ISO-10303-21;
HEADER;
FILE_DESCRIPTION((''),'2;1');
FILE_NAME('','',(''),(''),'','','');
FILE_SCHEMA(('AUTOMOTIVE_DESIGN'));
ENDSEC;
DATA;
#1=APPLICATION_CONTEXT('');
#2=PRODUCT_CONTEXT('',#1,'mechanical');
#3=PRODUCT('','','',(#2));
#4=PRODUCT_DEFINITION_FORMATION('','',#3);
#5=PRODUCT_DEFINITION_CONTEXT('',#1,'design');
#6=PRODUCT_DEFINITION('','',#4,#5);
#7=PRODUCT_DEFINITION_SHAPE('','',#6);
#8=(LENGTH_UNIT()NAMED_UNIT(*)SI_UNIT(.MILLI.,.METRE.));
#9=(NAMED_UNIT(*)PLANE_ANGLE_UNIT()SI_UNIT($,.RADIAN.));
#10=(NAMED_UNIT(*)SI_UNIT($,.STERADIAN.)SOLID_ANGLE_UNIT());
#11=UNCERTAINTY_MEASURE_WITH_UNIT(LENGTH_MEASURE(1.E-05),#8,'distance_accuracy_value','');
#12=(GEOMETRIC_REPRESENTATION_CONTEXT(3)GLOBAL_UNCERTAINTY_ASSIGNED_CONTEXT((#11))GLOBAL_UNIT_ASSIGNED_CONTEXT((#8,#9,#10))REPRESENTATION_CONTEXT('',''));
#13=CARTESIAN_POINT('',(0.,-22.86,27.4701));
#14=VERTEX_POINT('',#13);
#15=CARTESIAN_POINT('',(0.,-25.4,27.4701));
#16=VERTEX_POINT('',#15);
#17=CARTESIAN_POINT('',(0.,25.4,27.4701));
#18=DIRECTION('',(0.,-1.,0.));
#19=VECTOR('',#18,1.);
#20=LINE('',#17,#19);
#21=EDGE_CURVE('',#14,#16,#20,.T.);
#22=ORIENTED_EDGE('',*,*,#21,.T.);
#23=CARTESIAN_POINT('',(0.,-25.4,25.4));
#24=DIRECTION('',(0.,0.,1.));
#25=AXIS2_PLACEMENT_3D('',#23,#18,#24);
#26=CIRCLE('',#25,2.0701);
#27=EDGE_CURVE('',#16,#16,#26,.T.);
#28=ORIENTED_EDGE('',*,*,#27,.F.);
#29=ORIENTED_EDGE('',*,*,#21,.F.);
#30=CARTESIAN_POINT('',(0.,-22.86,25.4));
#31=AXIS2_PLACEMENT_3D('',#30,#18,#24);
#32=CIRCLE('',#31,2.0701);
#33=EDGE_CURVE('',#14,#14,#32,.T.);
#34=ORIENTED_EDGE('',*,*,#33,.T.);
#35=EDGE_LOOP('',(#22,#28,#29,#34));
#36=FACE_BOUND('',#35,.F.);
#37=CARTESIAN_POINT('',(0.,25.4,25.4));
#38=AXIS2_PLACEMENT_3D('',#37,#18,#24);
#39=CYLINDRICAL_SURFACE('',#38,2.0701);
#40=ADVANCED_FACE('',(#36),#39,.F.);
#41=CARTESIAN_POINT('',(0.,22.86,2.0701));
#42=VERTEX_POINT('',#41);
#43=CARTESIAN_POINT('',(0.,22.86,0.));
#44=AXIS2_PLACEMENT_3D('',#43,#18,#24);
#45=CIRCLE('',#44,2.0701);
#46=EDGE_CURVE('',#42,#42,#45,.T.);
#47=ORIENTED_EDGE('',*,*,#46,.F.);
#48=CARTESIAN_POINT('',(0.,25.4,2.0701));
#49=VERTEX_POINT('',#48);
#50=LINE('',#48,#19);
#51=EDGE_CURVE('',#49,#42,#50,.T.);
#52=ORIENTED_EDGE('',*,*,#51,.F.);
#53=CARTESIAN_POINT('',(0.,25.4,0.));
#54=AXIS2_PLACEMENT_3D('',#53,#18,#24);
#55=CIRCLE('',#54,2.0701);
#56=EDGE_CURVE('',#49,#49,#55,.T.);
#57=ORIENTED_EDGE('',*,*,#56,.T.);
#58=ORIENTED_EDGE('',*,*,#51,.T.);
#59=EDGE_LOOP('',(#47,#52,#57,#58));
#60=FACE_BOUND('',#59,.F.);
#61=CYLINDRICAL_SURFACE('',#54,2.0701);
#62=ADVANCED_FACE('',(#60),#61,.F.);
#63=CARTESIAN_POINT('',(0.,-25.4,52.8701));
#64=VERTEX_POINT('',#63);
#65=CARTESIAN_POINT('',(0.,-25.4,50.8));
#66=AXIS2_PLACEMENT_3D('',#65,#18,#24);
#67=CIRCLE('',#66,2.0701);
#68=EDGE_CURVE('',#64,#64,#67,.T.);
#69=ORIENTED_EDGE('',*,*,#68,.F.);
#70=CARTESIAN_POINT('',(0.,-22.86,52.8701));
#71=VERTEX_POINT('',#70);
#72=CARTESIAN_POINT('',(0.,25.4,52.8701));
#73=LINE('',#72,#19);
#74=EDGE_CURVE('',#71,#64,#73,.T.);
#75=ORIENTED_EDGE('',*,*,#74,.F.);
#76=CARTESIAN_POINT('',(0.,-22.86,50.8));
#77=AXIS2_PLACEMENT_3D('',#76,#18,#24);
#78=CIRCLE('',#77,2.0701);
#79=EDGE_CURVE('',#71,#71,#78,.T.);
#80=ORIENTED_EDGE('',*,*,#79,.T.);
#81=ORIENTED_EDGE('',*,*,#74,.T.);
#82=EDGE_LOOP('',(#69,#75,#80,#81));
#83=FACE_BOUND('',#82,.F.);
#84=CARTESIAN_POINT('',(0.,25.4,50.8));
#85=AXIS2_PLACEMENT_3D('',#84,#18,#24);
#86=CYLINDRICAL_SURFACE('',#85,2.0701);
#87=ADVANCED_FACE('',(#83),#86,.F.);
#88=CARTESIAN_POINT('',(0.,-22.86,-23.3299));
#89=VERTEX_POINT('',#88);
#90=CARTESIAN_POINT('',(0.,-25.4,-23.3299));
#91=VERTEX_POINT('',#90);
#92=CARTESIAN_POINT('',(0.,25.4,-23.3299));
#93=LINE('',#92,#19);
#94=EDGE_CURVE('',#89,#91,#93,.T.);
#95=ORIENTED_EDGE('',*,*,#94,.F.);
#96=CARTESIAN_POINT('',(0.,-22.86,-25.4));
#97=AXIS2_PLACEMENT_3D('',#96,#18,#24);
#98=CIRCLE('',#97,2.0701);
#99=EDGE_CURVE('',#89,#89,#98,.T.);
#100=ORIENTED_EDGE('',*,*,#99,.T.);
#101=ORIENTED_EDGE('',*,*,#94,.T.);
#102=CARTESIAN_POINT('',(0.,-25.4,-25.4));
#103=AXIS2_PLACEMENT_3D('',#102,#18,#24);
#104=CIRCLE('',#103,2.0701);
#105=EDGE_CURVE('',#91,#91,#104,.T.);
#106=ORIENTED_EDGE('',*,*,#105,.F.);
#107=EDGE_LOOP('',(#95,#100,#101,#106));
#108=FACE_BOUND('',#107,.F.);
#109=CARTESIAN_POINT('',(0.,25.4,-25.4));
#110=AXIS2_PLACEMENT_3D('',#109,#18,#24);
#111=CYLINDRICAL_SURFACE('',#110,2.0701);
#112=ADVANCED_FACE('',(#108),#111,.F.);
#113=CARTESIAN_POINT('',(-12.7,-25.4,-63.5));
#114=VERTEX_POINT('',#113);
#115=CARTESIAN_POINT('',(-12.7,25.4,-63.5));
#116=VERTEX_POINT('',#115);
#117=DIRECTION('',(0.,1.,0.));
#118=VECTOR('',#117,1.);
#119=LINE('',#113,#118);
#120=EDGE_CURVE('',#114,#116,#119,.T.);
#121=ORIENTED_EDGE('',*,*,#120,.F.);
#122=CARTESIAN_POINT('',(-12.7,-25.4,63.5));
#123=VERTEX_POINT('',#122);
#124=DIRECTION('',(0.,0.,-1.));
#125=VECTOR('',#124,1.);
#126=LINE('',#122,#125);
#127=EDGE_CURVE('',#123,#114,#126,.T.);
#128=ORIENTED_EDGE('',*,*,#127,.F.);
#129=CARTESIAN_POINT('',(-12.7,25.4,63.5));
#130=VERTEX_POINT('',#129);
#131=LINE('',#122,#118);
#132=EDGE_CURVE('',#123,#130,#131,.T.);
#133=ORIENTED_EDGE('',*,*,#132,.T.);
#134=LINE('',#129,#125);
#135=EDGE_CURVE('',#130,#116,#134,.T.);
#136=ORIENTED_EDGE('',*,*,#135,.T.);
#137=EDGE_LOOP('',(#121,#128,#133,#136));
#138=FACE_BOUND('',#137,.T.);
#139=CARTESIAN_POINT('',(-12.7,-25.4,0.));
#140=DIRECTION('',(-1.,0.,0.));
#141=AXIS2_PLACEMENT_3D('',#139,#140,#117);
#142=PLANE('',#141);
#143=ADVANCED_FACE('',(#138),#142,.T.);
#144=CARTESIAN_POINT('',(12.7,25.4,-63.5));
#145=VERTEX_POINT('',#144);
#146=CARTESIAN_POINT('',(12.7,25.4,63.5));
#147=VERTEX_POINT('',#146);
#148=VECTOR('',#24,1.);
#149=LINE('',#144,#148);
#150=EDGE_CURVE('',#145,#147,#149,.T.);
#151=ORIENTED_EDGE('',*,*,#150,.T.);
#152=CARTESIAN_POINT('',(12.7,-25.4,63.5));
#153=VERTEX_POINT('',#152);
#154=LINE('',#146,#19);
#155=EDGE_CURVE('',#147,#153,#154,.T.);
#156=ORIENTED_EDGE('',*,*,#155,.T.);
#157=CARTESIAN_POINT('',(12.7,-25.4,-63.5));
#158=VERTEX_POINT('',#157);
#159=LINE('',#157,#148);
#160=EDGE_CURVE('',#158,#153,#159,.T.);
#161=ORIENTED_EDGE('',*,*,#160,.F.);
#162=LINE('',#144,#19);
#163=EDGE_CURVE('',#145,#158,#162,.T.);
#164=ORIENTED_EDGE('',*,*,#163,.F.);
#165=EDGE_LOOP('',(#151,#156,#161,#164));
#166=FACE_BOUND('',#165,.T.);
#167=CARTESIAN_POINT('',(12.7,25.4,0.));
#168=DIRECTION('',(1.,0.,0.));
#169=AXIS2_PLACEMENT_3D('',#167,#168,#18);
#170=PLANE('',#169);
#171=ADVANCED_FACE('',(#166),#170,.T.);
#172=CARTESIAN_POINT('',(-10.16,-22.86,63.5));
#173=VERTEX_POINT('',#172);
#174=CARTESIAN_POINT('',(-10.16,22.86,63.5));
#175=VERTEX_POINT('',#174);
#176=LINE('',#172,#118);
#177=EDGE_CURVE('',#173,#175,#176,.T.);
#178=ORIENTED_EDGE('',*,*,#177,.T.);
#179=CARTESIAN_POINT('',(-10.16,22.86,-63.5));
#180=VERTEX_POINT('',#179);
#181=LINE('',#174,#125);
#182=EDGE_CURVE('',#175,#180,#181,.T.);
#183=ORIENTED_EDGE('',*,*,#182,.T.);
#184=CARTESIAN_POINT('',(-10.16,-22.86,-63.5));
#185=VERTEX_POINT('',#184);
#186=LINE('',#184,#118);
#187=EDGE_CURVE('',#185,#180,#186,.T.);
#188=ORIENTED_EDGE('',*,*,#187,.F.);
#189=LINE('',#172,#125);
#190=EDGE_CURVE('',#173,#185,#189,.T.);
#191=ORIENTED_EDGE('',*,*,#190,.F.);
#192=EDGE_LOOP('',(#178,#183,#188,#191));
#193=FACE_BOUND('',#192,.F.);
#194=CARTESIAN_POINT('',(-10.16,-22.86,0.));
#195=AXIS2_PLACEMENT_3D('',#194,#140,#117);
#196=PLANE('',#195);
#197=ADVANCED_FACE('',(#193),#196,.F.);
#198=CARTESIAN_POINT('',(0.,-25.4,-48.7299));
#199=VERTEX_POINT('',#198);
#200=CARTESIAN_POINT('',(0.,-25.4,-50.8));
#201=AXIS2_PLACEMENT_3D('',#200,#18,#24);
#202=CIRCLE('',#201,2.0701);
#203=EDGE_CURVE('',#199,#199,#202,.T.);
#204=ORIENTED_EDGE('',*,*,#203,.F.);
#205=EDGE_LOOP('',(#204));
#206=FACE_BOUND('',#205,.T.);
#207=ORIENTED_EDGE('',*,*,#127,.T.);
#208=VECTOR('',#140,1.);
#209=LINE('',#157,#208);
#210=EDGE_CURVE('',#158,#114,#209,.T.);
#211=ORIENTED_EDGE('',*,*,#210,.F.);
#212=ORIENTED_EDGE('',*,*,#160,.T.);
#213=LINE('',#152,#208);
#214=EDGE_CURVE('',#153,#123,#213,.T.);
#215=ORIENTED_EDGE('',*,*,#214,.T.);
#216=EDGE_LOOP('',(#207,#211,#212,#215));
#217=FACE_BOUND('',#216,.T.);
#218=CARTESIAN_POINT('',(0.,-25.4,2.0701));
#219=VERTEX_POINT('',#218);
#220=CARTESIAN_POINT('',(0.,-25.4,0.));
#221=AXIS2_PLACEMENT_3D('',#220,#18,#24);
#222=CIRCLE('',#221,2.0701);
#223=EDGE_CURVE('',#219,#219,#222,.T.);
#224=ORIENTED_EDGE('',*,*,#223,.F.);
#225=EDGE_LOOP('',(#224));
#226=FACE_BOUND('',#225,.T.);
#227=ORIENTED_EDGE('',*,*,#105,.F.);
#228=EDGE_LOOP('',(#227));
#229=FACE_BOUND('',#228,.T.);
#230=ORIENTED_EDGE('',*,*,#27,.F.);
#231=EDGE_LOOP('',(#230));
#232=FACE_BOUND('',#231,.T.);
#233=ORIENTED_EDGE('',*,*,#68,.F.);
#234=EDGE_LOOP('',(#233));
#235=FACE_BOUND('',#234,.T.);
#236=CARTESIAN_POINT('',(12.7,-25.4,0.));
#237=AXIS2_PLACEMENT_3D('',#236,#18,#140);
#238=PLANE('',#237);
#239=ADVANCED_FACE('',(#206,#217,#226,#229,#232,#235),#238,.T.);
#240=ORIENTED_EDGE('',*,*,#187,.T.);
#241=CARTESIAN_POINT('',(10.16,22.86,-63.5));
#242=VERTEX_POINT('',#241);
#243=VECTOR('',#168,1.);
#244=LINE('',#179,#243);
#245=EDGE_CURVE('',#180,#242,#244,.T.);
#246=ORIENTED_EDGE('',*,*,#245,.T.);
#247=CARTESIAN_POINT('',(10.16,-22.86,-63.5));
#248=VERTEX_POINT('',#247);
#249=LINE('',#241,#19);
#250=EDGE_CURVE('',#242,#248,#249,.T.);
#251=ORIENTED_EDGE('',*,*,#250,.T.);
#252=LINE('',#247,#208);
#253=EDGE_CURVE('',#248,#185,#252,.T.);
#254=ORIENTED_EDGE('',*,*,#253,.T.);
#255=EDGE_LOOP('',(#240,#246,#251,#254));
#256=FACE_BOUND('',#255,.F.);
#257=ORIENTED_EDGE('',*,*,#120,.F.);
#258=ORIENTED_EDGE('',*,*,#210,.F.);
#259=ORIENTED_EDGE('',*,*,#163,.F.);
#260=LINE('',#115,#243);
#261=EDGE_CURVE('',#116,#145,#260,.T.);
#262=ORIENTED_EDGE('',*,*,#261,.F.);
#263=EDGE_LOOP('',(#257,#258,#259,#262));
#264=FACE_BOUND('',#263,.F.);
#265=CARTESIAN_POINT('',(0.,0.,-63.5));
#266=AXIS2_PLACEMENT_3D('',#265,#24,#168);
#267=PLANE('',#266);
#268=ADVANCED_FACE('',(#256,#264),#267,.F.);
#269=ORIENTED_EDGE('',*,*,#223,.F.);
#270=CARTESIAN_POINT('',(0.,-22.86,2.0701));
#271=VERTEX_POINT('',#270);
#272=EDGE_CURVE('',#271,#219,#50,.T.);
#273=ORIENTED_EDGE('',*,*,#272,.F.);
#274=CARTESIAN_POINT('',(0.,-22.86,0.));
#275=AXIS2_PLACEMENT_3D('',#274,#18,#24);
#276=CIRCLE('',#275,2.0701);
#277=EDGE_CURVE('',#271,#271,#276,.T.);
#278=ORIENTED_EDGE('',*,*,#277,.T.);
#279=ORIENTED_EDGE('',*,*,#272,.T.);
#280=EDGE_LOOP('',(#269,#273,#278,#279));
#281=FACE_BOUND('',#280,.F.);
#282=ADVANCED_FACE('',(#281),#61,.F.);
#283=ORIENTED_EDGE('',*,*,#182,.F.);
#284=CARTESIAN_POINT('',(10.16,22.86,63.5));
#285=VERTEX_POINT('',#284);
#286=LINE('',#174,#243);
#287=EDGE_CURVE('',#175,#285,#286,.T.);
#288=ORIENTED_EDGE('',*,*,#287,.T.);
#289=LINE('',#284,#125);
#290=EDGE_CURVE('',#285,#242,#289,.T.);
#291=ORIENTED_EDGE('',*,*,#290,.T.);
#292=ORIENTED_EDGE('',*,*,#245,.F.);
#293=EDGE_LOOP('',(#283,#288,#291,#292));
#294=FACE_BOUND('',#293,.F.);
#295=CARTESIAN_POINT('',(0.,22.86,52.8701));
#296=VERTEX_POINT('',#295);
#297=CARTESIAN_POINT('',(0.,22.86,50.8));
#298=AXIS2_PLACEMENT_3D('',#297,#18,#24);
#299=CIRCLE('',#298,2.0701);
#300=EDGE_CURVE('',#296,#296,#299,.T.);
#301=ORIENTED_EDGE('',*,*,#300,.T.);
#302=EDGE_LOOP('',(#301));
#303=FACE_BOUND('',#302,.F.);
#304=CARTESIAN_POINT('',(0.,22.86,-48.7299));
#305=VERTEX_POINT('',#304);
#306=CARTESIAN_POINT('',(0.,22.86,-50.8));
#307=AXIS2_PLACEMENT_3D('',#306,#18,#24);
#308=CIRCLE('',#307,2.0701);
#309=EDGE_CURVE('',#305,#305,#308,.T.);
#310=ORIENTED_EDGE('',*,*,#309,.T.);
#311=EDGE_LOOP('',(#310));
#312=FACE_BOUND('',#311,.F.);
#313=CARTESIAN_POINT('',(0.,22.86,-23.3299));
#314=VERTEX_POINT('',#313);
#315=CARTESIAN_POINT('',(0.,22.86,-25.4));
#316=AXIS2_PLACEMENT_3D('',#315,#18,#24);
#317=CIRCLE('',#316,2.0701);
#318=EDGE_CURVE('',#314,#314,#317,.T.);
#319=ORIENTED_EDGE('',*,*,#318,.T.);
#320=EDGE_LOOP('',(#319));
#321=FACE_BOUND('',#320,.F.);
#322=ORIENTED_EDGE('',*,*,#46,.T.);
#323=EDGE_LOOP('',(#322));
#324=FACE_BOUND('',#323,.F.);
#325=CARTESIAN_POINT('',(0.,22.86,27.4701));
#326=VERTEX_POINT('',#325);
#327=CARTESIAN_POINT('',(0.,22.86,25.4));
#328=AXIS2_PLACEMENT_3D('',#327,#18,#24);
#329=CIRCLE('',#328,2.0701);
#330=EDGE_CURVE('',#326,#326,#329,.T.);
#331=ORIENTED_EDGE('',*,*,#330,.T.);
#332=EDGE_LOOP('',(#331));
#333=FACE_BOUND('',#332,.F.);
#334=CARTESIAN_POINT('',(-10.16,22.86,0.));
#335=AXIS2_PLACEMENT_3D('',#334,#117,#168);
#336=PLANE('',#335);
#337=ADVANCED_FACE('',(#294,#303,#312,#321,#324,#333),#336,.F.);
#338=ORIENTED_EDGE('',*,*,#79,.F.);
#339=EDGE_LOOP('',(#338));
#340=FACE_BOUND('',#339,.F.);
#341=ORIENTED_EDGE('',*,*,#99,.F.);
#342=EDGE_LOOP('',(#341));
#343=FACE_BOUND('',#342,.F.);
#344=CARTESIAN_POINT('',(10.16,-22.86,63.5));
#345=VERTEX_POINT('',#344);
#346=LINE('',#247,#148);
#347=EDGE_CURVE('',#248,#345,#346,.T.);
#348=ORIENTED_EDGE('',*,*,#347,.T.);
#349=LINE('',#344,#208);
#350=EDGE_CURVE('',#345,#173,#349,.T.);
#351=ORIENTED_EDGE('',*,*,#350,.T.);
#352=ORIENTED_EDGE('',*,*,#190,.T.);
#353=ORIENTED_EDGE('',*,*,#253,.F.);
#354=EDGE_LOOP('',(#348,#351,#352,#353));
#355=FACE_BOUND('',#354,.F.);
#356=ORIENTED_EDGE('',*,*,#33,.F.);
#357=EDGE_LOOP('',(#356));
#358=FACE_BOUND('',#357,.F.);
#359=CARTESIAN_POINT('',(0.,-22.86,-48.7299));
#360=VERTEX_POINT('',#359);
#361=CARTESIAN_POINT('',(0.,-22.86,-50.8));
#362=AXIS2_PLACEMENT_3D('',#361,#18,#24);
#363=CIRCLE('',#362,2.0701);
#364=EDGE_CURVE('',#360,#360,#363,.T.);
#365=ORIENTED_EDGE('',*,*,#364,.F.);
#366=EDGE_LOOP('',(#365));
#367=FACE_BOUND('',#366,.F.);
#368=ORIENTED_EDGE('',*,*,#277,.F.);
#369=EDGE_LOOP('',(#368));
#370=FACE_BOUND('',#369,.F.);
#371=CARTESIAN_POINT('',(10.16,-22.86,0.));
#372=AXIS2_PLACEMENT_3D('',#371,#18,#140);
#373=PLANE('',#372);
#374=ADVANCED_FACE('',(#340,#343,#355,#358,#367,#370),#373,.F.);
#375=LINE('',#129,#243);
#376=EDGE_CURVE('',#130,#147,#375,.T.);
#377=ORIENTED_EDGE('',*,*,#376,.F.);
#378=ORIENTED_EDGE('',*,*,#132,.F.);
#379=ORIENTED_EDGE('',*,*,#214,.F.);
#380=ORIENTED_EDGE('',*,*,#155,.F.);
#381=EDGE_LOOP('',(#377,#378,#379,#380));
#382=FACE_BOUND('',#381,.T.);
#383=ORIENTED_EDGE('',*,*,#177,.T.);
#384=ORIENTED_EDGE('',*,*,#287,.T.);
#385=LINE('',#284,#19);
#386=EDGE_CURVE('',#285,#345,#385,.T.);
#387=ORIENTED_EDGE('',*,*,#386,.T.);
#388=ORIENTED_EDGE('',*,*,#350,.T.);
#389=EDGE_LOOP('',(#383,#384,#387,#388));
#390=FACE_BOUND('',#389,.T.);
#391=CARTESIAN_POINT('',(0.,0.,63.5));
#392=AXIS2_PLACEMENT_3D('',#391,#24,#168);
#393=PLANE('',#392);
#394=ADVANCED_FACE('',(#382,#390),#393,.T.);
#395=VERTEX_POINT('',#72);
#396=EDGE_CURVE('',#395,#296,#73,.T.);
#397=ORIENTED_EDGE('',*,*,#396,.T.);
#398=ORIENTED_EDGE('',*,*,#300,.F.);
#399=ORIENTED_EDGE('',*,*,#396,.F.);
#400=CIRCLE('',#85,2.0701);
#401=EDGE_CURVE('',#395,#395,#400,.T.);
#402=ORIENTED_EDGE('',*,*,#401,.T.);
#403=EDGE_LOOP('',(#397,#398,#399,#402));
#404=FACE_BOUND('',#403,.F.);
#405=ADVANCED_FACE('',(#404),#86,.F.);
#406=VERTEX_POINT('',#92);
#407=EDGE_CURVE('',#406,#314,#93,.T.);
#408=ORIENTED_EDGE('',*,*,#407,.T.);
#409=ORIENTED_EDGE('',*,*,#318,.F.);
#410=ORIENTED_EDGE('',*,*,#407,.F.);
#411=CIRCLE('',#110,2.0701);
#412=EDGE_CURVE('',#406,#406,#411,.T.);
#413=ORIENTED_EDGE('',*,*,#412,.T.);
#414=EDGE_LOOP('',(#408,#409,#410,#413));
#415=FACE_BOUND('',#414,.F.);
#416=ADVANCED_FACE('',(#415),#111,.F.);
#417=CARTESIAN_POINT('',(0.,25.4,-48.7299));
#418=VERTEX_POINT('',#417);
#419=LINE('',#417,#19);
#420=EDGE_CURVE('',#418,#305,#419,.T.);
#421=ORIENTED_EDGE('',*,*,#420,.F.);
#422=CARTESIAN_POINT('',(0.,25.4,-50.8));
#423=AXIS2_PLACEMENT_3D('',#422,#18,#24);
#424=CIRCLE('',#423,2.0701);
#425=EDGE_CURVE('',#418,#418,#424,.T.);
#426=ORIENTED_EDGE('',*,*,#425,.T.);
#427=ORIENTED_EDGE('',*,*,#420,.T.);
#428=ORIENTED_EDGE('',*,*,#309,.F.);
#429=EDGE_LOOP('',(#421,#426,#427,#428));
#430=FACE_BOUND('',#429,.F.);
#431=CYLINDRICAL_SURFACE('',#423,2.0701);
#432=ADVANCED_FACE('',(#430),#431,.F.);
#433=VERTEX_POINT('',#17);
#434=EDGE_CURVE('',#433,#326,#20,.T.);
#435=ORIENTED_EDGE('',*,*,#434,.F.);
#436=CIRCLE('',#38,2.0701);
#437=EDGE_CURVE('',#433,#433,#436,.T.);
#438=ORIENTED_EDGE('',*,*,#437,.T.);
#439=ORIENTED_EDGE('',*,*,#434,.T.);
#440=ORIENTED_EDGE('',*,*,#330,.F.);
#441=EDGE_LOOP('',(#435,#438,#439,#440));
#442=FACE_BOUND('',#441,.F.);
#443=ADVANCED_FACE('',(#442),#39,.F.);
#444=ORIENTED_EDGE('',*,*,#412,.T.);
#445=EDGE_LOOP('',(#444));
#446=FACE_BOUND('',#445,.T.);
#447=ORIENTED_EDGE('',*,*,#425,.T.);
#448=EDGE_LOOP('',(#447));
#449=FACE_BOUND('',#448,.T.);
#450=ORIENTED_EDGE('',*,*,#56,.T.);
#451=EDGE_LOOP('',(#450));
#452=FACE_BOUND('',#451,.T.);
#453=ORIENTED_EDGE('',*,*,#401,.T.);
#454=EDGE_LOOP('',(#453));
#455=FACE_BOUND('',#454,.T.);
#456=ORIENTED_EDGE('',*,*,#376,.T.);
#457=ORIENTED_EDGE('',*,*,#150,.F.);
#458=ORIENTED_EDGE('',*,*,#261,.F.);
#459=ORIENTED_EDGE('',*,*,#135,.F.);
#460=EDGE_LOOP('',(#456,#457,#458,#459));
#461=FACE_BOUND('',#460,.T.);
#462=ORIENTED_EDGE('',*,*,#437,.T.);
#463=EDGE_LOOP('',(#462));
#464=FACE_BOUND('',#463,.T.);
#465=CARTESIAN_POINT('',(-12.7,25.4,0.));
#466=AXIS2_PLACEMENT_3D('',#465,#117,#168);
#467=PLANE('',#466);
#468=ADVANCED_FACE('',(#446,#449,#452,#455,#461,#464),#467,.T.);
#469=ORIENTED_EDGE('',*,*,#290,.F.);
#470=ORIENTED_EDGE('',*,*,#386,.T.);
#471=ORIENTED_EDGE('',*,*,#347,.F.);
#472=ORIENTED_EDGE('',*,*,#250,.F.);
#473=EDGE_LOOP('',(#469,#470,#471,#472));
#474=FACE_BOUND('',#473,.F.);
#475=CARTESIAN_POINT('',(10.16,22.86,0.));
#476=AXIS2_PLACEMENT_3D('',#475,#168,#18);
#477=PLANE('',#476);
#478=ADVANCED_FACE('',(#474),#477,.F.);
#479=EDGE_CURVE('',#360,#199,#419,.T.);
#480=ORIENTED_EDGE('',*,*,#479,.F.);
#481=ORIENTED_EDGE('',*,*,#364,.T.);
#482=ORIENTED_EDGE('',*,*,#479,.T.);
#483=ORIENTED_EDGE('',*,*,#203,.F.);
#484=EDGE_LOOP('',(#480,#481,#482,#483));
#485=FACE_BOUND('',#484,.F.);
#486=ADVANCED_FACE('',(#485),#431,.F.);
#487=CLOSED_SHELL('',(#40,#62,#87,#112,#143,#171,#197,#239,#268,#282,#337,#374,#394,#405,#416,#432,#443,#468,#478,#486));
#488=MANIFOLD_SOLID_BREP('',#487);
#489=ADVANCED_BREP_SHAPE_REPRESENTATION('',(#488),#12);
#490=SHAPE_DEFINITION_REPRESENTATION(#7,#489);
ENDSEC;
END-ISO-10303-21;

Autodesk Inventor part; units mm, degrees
ref_plane "YZ Plane" through (0, 0, 0) normal (1, 0, 0) x (0, 1, 0)
ref_plane "XZ Plane" through (0, 0, 0) normal (0, 1, 0) x (-1, 0, 0)
ref_plane "XY Plane" through (0, 0, 0) normal (0, 0, 1) x (1, 0, 0)
sketch "Sketch1" plane through (0, 0, 0) normal (0, 0, 1) x (1, 0, 0)
  line L0 (12.7, -25.4) -> (-12.7, -25.4)
  line L1 (-12.7, -25.4) -> (-12.7, 25.4)
  line L2 (-12.7, 25.4) -> (12.7, 25.4)
  line L3 (12.7, 25.4) -> (12.7, -25.4)
  line L4 (12.7, -25.4) -> (-12.7, 25.4) construction
  line L5 (-12.7, -25.4) -> (12.7, 25.4) construction
  line L6 (10.16, -22.86) -> (-10.16, -22.86)
  line L7 (-10.16, -22.86) -> (-10.16, 22.86)
  line L8 (-10.16, 22.86) -> (10.16, 22.86)
  line L9 (10.16, 22.86) -> (10.16, -22.86)
  line L10 (10.16, -22.86) -> (-10.16, 22.86) construction
  line L11 (-10.16, -22.86) -> (10.16, 22.86) construction
  point P0 (0, 0)
  dimension "d0" = 25.4
  dimension "d1" = 50.8
  dimension "d2" = 20.32
  dimension "d3" = 45.72
extrude "Extrusion1" add sketch "Sketch1" along normal mid plane 127
sketch "Sketch2" plane through (-12.7, 25.4, 63.5) normal (0, 1, 0) x (1, 0, 0)
  line L0 (0, 0) -> (0, 127) projected
  line L1 (25.4, 0) -> (0, 0) projected
  point P0 (12.7, 63.5)
  point P1 (12.7, 12.7)
  dimension "d6" = 12.7
  dimension "d7" = 12.7
hole "Hole1" at (0, 25.4, 50.8) direction (0, -1, 0) diameter 4.1402 end through all
pattern_linear "Rectangular Pattern1" count 5 spacing 25.4 along (0, 0, -1) of "Hole1"
properties part number "Elevator_stationary_extender"
